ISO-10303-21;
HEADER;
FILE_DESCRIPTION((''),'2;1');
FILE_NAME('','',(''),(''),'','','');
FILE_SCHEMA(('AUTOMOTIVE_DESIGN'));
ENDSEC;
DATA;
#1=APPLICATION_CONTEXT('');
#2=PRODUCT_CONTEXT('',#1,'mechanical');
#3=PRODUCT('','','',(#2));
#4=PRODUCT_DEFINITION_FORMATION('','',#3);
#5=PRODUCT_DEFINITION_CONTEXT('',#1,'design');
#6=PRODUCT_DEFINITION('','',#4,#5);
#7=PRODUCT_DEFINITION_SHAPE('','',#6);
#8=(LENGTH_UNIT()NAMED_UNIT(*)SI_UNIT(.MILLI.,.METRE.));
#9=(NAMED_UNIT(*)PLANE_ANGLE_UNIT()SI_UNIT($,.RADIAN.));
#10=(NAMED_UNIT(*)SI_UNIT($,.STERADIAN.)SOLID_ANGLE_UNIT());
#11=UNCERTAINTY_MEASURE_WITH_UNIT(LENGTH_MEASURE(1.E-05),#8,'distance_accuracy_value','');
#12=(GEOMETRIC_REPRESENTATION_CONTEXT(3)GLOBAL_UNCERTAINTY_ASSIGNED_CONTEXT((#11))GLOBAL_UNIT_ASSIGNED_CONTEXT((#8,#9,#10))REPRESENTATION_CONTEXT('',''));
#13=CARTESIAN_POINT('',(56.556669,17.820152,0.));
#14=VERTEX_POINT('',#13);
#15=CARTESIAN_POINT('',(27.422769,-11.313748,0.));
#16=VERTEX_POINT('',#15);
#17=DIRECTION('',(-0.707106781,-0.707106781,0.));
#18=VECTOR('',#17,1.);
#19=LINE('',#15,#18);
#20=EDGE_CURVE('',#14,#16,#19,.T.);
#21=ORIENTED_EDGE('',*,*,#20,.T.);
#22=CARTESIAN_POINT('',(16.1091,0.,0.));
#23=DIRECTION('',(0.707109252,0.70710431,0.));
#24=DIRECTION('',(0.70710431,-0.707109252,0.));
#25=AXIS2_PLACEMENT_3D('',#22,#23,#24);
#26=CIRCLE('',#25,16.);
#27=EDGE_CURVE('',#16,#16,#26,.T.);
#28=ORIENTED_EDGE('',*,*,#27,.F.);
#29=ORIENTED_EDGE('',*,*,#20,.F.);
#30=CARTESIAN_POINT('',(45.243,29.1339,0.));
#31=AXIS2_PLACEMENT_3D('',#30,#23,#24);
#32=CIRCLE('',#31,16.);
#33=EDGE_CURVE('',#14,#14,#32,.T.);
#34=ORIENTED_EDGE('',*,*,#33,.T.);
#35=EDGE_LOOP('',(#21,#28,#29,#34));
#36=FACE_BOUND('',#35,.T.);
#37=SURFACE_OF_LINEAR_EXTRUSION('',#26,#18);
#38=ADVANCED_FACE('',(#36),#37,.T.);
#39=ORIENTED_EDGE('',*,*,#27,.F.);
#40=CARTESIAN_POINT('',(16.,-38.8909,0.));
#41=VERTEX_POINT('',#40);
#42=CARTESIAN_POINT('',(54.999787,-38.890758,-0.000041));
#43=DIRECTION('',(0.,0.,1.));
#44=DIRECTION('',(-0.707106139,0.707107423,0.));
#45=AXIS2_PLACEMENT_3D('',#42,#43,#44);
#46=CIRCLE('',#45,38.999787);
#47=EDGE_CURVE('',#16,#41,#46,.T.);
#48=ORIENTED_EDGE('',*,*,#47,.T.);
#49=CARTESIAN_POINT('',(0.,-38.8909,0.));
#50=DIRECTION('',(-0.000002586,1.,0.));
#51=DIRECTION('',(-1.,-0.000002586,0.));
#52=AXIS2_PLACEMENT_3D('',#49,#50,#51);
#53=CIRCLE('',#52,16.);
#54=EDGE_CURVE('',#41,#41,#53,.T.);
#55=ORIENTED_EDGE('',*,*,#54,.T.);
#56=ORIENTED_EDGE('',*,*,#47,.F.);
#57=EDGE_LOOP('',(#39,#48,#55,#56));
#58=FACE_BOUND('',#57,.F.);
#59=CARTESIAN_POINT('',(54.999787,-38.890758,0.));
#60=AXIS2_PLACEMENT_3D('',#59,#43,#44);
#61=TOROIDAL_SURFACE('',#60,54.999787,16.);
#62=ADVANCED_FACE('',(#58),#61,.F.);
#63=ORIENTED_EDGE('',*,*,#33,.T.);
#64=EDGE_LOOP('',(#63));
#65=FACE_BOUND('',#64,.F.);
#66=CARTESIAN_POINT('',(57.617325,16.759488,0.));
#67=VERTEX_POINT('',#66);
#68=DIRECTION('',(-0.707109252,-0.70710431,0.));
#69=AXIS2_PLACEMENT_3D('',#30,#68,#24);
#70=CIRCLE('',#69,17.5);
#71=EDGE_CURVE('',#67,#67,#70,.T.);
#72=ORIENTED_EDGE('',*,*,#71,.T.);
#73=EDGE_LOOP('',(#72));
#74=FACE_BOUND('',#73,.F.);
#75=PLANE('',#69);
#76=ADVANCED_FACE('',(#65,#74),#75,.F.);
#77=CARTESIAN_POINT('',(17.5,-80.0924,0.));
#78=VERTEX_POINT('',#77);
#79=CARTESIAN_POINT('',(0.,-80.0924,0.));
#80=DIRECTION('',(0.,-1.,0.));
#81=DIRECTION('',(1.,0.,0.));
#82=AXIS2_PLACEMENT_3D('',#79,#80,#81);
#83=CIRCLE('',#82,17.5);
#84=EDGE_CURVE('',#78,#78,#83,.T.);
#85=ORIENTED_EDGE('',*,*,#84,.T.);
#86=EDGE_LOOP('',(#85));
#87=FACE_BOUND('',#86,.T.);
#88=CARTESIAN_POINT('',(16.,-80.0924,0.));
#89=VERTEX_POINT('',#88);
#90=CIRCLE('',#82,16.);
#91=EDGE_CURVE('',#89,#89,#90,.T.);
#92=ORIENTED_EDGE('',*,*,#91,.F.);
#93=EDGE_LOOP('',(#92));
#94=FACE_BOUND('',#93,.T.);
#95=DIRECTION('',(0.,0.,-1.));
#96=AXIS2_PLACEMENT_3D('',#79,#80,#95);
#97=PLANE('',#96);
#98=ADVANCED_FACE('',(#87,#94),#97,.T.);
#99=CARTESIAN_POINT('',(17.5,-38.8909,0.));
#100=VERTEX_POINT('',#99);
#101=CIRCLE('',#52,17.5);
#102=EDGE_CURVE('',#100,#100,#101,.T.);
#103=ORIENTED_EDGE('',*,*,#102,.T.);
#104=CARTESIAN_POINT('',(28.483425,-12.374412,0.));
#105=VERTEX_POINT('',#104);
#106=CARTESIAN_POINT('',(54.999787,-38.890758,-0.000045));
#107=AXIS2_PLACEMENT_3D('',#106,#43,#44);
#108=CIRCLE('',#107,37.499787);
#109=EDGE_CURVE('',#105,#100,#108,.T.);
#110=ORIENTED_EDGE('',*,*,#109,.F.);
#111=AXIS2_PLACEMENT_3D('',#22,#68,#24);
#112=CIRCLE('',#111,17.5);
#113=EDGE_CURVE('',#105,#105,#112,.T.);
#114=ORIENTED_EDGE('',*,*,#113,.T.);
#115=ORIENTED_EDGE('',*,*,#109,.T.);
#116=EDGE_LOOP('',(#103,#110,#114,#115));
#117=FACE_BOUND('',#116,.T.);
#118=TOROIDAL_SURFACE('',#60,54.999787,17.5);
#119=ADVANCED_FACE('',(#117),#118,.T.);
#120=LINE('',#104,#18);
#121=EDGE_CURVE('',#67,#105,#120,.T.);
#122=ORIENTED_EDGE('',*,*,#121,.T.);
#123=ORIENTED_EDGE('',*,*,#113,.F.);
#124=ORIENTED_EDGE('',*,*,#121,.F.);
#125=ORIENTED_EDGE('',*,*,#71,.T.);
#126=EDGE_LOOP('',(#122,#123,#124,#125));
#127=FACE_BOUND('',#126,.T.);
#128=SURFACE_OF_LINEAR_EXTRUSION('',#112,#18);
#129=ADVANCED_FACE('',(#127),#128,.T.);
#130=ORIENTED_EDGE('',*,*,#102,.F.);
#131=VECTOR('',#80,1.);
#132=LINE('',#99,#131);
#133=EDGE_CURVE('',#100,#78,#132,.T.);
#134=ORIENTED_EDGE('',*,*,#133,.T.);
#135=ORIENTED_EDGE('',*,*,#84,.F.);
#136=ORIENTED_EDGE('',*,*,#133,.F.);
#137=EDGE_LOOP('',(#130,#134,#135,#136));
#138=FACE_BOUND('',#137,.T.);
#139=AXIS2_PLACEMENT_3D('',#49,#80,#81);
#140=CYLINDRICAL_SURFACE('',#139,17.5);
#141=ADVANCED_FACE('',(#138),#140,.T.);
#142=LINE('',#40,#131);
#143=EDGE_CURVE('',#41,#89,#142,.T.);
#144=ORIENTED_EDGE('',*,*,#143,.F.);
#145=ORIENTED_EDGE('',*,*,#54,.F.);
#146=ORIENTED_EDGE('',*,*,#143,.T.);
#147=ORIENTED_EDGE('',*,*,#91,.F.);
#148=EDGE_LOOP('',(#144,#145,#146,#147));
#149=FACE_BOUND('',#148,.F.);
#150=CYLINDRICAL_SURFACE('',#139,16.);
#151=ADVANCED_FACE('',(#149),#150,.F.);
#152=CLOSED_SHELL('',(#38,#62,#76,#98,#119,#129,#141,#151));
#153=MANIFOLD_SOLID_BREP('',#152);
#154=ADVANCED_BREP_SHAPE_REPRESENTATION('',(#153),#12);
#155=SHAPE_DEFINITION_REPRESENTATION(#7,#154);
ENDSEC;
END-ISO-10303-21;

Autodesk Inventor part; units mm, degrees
ref_plane "YZ Plane" through (0, 0, 0) normal (1, 0, 0) x (0, 1, 0)
ref_plane "XZ Plane" through (0, 0, 0) normal (0, 1, 0) x (-1, 0, 0)
sketch "Szkic6" plane through (0, 0, 0) normal (0, 0, 1) x (1, 0, 0)
  line L0 (-29.6067, 0) -> (35.2678, 0) construction
  line L1 (0, 42.3419) -> (0, -58.3726) construction
  arc A0 (16.1091, 0) -> (0, -38.8909) centre (55, -38.8909) ccw
  line L2 (0, -38.8909) -> (55, -38.8909) construction
  line L3 (55, -38.8909) -> (8.6611, 7.448) construction
  line L4 (16.1091, 0) -> (45.243, 29.1339)
  line L5 (0, -38.8909) -> (0, -80.0924)
  point P0 (0, 0)
  dimension "d24" = 55
  dimension "d31" = 45
  dimension "d36" = 41.2015
  dimension "d37" = 41.2015
ref_plane "Płaszczyzna konstrukcyjna2" through (0, -38.8909, 0) normal (0, -1, 0) x (1, 0, 0)
sketch "Szkic8" plane through (0, -38.8909, 0) normal (0, -1, 0) x (1, 0, 0)
  circle A0 centre (0, 0) radius 17.5
  circle A1 centre (0, 0) radius 16
  dimension "d32" = 35
  dimension "d33" = 1.5
sweep "Przeciągnięcie2" add profiles "Szkic8" path "Szkic6"
equation "\"d32\" = OD"
equation "\"d33\" = THK"
equation "\"d24\" = R"
equation "\"d31\" = KAT"
equation "\"d36\" = PROSTKA"
equation "\"d37\" = PROSTKA"
equation "\"SzerokośćGięciaPodcięcia\" = Grubość"
equation "\"RozmiarPodcięciaNarożnika\" = 4 * Grubość"
equation "\"PromieńPrzejścia\" = PromieńGięcia"
equation "\"Rozmiar_promienia_Jacobiego\" = PromieńGięcia"
equation "\"Wielk_odstępu\" = Grubość"
equation "\"d2\" = PromieńGięcia"
equation "\"d23\" = PromieńGięcia"
equation "\"R\" = 55"
equation "\"OD\" = 35"
equation "\"THK\" = 1.5"
equation "\"KAT\" = 45deg"
equation "\"PROSTKA\" = 41.20155"
equation "\"Grubość\" = 1.5"
equation "\"PromieńGięcia\" = 3"
properties part number "Kolano 45° ø35x1,5 R55" material "304L"
